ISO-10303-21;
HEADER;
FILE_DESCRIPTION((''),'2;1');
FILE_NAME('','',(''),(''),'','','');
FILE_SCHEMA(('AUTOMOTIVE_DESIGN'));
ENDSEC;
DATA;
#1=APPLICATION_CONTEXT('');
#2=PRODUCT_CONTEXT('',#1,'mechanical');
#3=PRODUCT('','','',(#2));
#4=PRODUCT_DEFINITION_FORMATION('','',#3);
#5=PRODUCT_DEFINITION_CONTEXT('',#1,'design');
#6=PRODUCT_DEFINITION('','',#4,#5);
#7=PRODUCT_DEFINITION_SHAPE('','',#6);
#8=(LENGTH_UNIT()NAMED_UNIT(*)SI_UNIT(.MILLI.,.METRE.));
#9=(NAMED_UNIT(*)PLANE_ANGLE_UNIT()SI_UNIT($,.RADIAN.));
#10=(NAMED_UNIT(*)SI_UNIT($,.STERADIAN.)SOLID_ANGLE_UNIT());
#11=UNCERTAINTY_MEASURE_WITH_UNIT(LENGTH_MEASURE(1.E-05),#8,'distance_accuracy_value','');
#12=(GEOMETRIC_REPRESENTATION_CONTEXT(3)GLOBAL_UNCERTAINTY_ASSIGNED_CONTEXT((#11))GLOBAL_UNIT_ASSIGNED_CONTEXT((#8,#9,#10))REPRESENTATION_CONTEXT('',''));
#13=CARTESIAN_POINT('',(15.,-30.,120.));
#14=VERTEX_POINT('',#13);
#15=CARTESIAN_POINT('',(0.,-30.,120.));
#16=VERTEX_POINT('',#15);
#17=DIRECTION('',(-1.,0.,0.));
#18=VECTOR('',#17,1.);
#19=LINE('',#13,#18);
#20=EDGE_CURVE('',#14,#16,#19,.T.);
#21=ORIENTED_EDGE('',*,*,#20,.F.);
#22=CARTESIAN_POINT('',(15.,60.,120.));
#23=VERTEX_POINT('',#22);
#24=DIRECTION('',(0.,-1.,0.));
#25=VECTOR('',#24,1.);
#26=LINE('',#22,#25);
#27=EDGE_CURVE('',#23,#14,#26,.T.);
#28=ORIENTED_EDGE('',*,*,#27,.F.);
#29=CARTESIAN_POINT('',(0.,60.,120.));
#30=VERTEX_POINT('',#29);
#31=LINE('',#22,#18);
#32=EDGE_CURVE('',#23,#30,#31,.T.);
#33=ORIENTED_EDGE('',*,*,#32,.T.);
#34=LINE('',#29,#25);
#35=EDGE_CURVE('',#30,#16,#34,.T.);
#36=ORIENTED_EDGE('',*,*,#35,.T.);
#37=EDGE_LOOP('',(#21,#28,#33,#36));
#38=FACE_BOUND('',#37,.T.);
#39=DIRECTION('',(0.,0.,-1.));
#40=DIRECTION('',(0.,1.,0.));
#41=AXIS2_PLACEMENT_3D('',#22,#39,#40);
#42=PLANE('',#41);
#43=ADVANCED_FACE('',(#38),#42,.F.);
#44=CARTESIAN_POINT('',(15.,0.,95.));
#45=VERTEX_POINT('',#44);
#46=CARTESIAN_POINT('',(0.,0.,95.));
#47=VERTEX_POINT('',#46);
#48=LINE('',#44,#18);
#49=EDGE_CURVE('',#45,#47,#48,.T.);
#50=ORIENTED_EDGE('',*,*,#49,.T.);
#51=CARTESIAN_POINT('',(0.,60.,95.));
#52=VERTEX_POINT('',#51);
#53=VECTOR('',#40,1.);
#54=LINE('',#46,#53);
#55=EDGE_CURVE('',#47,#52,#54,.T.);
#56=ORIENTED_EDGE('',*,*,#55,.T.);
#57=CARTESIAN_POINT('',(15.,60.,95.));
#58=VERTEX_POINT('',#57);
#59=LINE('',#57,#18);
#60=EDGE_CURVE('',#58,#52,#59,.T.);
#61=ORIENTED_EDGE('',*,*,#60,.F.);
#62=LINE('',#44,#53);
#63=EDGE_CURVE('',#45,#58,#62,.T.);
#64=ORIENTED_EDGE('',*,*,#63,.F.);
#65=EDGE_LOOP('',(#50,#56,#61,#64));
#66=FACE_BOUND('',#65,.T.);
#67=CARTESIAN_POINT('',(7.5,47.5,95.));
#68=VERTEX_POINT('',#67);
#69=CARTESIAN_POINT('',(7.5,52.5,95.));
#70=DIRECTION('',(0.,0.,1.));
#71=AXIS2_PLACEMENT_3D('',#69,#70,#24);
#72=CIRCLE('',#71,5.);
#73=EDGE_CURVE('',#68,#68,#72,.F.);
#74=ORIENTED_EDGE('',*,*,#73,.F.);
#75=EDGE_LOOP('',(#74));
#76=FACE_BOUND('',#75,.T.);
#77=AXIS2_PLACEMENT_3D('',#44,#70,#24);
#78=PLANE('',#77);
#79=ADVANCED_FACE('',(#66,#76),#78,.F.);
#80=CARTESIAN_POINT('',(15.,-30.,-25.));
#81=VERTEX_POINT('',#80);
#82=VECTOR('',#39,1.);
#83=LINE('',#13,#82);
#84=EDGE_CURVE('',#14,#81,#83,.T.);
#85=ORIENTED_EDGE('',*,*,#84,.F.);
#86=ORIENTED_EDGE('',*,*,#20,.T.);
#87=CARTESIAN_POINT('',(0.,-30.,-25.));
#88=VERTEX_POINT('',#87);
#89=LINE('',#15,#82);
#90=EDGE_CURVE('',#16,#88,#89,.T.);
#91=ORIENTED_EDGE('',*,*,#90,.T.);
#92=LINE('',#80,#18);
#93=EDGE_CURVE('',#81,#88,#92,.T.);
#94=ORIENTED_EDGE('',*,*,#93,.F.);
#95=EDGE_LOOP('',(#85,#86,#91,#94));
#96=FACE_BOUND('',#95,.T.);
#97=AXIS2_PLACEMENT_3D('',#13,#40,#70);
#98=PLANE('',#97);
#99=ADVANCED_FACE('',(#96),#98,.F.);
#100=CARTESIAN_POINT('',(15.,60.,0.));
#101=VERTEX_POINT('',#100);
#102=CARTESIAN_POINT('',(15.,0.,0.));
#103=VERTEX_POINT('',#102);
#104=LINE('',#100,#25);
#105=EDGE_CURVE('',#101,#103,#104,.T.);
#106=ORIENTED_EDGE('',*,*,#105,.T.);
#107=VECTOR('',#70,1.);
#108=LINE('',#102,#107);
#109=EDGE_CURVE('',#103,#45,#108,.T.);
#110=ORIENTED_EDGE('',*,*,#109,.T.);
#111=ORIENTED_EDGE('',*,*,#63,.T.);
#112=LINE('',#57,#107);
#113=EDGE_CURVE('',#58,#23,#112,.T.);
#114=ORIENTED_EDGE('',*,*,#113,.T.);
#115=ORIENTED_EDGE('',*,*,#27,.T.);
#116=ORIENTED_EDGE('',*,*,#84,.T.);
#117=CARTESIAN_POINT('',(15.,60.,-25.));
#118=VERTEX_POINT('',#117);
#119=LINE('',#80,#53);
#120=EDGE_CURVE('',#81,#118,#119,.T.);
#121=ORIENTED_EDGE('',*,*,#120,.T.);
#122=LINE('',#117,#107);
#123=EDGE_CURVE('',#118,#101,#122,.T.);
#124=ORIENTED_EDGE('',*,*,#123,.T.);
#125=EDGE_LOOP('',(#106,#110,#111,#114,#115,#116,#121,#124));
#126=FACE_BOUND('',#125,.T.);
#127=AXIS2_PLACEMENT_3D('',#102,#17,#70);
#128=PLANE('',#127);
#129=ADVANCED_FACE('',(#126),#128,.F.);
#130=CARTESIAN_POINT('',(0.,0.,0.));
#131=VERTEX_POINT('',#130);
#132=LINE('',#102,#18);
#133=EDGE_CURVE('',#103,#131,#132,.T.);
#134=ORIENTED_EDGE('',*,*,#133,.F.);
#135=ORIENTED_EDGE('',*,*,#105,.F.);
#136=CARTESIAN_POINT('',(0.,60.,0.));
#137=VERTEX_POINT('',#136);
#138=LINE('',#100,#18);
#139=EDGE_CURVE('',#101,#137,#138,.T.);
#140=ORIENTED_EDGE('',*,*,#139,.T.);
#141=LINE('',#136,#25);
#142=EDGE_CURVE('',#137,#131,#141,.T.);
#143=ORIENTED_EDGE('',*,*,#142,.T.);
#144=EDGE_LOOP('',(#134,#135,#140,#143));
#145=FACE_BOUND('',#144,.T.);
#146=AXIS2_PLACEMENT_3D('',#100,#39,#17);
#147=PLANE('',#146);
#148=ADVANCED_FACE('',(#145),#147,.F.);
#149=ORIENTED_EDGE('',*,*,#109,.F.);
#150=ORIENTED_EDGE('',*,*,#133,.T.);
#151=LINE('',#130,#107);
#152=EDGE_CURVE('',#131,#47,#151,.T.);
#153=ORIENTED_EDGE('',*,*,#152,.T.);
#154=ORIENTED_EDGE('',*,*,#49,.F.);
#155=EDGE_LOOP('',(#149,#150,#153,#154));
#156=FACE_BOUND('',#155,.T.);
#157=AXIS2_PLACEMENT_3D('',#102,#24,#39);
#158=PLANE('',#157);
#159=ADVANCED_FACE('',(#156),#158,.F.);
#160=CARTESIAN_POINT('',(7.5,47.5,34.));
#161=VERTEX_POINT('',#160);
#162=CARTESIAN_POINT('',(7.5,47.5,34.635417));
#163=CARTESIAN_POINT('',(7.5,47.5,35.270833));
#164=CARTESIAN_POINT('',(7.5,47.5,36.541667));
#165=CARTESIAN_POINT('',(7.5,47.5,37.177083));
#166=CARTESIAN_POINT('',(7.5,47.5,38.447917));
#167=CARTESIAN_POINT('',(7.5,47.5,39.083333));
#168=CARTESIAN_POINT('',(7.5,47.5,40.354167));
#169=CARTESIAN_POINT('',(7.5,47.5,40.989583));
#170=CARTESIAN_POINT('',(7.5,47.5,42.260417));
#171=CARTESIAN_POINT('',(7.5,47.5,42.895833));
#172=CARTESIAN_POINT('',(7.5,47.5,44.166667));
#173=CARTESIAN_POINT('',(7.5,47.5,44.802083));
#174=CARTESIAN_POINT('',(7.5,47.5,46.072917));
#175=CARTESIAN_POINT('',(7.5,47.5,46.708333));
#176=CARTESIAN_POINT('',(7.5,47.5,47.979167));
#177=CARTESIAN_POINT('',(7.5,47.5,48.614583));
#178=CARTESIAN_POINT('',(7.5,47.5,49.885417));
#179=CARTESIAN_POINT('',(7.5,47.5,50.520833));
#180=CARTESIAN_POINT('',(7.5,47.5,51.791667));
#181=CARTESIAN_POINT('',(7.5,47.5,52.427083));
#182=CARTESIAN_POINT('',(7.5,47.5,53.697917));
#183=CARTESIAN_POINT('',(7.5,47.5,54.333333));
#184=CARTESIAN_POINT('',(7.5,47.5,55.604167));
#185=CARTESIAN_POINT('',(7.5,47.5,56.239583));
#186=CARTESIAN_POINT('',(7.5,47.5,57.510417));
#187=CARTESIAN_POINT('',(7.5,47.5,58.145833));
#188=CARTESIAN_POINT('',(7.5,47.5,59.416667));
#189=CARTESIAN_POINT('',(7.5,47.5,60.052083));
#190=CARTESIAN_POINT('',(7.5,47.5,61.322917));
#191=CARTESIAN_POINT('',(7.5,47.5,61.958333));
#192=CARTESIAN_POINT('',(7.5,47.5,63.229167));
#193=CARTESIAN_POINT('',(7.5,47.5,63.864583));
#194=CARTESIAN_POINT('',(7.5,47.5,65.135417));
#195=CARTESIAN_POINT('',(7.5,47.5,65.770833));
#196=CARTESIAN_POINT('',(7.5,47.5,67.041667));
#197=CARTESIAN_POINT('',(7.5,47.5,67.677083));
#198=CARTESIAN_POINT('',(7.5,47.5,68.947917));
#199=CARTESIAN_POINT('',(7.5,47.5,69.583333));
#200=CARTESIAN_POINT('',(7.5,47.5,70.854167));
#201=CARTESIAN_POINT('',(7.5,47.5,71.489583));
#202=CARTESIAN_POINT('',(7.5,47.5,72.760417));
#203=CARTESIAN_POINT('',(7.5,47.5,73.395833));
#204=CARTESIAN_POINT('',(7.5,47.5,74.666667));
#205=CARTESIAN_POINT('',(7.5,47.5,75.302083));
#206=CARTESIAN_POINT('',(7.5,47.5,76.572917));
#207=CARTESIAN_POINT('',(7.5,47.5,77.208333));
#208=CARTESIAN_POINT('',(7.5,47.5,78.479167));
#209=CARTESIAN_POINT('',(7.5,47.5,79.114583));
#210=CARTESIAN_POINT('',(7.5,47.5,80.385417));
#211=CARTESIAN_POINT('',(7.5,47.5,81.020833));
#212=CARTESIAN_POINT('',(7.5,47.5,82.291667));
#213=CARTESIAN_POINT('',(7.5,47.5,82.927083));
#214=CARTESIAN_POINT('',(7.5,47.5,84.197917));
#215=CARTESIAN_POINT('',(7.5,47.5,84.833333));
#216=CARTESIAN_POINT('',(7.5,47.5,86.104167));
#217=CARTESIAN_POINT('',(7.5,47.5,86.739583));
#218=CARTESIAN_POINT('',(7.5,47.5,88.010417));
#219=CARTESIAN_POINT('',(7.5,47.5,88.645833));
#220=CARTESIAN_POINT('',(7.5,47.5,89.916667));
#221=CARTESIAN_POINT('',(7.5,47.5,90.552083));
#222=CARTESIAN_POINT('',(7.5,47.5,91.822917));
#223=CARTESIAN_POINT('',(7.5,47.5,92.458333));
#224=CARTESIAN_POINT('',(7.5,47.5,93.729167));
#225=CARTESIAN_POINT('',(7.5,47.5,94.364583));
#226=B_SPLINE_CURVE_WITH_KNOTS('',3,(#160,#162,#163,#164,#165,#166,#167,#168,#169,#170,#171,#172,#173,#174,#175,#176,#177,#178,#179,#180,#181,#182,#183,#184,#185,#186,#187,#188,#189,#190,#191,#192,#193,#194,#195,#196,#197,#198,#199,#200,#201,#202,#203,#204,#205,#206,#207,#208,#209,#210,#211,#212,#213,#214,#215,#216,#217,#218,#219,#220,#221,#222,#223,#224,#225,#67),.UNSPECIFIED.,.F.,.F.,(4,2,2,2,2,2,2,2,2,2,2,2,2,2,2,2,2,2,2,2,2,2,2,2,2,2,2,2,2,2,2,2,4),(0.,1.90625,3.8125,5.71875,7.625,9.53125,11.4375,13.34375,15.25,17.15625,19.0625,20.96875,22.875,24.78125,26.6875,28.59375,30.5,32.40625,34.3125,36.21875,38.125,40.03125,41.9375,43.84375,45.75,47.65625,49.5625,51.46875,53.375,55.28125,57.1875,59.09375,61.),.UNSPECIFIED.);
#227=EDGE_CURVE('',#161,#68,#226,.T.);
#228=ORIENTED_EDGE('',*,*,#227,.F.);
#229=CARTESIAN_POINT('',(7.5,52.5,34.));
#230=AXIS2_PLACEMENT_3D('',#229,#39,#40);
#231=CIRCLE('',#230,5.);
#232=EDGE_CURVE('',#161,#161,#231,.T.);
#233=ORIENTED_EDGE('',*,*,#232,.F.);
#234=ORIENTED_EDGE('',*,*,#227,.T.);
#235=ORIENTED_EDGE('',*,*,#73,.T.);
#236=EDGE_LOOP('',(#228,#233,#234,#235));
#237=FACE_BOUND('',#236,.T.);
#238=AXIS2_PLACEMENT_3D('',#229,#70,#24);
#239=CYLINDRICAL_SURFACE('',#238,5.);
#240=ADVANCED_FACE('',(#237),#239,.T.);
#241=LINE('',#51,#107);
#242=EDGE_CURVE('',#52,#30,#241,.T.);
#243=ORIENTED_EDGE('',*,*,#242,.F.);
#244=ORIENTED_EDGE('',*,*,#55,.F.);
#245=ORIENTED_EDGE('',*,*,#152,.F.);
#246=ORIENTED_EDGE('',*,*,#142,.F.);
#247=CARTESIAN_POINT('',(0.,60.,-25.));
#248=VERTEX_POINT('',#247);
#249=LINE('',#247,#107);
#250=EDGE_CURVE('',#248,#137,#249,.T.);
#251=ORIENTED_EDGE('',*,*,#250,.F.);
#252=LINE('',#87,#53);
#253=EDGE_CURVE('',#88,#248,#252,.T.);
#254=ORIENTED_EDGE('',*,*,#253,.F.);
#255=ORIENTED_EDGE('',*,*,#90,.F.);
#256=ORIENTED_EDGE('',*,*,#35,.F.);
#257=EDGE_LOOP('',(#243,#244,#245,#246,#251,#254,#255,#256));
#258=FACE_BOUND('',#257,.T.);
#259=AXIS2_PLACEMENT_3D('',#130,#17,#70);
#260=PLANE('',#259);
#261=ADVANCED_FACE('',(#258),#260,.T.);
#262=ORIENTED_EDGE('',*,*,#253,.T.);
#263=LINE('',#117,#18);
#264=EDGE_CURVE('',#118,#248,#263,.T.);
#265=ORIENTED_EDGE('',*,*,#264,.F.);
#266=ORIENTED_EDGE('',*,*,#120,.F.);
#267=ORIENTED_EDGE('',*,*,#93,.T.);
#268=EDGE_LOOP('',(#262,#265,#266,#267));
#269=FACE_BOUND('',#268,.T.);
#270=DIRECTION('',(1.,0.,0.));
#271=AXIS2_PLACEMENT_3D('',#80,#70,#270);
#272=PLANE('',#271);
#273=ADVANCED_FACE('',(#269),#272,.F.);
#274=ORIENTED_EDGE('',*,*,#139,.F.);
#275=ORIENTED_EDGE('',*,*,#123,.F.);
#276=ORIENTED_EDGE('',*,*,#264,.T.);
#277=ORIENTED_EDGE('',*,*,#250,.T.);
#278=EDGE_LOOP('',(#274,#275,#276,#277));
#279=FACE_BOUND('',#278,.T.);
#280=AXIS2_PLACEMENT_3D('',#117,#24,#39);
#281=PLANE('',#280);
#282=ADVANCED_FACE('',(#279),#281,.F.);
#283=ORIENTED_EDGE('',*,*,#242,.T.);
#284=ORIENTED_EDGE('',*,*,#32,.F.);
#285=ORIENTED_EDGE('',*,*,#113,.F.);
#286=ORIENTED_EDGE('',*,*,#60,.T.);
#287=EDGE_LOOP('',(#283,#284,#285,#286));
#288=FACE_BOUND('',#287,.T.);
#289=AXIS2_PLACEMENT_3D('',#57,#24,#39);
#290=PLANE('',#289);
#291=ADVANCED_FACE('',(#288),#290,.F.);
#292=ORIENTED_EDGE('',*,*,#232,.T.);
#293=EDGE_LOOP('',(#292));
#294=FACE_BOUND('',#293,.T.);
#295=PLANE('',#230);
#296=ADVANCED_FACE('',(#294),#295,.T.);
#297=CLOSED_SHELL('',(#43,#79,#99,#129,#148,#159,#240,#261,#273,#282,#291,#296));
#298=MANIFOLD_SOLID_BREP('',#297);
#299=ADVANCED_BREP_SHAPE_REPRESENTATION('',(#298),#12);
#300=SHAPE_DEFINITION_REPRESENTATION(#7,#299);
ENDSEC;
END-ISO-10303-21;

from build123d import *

# Parameters (mm, degrees)
BOSS_EXTRUDE1_DEPTH = 15
SKETCH2_R           = 5
BOSS_EXTRUDE2_DEPTH = 61


with BuildPart() as part:
    # Sketch1 → Boss-Extrude1 (new body)
    with BuildSketch(Plane.YZ):
        Polygon((0, 0), (0, 95), (60, 95), (60, 120), (-30, 120), (-30, -25), (60, -25), (60, 0), align=None)
    extrude(amount=BOSS_EXTRUDE1_DEPTH)

    # Sketch2 → Boss-Extrude2 (add)
    with BuildSketch(Plane(origin=(0, 0, 95), x_dir=(1, 0, 0), z_dir=(0, 0, -1))):
        with Locations(Location((7.5, -52.5, 0), (0, 0, 90))):
            Circle(SKETCH2_R)
    extrude(amount=BOSS_EXTRUDE2_DEPTH)


solid = part.part
